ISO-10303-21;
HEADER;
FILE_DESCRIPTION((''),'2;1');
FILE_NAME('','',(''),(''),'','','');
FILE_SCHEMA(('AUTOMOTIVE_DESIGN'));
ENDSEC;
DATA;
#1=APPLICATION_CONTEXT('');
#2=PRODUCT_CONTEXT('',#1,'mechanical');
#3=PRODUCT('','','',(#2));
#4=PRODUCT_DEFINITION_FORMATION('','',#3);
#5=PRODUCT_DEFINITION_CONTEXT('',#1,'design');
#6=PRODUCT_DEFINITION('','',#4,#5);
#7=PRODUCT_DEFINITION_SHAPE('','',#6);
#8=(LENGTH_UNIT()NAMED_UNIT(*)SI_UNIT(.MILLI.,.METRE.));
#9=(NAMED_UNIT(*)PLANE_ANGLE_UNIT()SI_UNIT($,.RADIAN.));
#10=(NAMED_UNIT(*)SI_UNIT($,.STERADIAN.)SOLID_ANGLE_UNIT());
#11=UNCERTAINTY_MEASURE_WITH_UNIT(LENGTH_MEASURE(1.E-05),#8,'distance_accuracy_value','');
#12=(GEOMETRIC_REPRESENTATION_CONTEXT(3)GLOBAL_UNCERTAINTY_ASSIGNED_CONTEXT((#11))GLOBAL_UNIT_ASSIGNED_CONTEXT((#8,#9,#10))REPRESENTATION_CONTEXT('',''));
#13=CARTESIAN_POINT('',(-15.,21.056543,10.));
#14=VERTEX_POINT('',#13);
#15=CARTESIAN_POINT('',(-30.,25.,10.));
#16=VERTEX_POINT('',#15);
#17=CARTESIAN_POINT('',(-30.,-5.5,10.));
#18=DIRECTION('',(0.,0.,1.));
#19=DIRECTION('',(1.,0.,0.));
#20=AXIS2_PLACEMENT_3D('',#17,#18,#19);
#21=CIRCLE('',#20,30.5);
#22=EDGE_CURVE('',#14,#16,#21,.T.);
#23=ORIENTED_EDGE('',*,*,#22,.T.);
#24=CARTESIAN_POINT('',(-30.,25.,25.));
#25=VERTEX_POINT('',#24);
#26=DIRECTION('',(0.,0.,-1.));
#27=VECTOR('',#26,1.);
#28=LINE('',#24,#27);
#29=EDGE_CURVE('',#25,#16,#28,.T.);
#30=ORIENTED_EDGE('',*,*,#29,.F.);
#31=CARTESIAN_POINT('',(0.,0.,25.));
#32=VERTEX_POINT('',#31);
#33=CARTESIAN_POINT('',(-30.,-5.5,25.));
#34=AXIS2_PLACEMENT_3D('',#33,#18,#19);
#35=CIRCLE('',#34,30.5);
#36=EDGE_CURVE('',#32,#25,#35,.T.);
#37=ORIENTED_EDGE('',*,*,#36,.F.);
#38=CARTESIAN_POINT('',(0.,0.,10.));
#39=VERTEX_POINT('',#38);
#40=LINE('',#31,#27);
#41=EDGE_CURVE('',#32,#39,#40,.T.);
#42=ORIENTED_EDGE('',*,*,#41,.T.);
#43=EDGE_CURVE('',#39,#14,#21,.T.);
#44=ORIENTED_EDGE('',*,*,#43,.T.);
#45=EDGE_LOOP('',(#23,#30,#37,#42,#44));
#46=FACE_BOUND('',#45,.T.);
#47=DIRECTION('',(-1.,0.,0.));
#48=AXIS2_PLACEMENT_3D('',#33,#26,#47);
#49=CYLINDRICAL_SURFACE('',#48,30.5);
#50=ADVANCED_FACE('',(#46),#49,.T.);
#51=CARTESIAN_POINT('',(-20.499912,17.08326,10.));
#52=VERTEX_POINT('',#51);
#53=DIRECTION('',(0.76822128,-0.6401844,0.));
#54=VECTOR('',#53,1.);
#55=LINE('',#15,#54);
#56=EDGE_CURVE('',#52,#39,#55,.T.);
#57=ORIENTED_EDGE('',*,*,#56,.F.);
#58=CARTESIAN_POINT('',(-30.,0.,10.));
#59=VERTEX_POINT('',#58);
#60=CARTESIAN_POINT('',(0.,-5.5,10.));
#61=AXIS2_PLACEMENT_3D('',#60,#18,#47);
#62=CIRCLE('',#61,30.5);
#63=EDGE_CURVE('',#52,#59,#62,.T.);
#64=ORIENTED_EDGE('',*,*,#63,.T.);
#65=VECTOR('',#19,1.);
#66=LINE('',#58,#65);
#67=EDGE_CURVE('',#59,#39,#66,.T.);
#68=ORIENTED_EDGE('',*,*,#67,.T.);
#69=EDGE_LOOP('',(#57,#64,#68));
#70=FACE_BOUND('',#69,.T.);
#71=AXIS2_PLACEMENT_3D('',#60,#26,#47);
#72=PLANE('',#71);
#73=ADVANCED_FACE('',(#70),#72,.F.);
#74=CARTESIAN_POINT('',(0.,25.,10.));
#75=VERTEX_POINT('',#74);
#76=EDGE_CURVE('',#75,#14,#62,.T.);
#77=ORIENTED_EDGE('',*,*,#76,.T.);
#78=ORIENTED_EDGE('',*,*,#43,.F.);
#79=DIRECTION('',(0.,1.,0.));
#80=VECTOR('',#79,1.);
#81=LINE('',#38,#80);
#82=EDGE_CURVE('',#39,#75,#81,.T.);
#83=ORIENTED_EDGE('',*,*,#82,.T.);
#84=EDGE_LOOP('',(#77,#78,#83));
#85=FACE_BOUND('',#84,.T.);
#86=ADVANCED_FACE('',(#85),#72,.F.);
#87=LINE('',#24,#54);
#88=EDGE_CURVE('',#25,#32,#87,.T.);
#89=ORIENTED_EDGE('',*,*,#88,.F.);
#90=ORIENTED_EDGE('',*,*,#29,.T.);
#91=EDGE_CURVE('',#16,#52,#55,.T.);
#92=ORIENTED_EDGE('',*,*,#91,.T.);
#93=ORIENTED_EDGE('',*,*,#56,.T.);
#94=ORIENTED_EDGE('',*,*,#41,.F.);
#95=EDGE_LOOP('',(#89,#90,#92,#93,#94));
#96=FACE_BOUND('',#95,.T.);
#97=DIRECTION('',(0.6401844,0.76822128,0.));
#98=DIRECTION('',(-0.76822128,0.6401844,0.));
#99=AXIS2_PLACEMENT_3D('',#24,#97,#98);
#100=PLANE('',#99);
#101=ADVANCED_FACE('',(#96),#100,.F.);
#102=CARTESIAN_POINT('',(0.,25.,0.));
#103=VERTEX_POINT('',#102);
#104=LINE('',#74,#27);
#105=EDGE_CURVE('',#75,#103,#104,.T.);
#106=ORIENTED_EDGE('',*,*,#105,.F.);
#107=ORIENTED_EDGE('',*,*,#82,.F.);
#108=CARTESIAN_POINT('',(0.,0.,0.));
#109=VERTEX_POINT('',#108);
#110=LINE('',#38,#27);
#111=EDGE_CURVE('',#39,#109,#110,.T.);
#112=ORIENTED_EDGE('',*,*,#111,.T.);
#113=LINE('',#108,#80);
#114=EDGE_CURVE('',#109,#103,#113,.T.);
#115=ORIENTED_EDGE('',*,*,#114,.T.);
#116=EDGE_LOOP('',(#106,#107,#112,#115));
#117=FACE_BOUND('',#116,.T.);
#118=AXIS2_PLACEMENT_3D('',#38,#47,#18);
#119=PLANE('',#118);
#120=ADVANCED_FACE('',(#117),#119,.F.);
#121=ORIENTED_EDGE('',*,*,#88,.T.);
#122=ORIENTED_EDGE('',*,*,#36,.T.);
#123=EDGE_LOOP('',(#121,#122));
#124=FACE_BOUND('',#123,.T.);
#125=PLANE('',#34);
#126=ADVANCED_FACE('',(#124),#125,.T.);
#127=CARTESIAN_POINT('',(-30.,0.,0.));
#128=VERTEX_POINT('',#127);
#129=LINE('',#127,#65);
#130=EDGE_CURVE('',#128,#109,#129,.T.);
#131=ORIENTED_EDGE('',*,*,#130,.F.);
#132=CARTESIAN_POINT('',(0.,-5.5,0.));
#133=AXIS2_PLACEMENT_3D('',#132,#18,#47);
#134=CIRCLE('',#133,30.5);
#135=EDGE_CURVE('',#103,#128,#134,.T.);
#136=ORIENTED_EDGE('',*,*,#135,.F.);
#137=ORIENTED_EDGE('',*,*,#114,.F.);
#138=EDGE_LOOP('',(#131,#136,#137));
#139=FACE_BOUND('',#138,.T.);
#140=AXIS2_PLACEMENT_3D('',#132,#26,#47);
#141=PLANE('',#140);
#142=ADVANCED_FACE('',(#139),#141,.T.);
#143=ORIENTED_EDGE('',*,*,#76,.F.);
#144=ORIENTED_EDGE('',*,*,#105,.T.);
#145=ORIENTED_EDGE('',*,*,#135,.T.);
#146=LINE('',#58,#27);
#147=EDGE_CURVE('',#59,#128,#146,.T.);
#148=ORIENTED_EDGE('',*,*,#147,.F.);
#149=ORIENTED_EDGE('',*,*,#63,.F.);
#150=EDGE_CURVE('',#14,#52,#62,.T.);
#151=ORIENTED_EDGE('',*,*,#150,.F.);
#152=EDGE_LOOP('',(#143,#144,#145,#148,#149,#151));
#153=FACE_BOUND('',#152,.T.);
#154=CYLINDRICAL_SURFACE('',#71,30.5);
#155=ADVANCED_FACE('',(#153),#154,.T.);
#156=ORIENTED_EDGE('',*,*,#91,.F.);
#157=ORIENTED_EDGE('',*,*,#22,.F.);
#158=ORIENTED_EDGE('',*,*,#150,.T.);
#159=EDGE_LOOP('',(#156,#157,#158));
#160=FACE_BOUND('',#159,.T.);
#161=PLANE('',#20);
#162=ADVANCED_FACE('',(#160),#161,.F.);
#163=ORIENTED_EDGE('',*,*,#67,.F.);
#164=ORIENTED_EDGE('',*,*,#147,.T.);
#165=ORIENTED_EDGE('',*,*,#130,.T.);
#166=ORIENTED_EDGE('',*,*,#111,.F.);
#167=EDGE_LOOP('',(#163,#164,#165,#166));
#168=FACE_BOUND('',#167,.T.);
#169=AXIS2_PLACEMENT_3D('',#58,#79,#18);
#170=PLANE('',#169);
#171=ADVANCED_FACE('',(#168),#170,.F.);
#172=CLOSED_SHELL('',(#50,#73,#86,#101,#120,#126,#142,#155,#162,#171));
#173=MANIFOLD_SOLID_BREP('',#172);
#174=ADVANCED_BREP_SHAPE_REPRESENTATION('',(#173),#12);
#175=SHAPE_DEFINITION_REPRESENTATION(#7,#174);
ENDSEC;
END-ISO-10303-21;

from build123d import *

# Parameters (mm, degrees)
BOSS_EXTRUDE1_DEPTH = 10
BOSS_EXTRUDE2_DEPTH = 15


with BuildPart() as part:
    # Sketch1 → Boss-Extrude1 (new body)
    with BuildSketch(Plane.XY):
        with BuildLine():
            Line((-30, 0), (0, 0))
            Line((0, 0), (0, 25))
            ThreePointArc((0, 25), (-19.52562419, 17.930749028), (-30, 0))
        make_face()
    extrude(amount=BOSS_EXTRUDE1_DEPTH)

    # Sketch2 → Boss-Extrude2 (add)
    with BuildSketch(Plane.XY.offset(10)):
        with BuildLine():
            Line((-30, 25), (0, 0))
            ThreePointArc((0, 0), (-10.47437581, 17.930749028), (-30, 25))
        make_face()
    extrude(amount=BOSS_EXTRUDE2_DEPTH)


solid = part.part
